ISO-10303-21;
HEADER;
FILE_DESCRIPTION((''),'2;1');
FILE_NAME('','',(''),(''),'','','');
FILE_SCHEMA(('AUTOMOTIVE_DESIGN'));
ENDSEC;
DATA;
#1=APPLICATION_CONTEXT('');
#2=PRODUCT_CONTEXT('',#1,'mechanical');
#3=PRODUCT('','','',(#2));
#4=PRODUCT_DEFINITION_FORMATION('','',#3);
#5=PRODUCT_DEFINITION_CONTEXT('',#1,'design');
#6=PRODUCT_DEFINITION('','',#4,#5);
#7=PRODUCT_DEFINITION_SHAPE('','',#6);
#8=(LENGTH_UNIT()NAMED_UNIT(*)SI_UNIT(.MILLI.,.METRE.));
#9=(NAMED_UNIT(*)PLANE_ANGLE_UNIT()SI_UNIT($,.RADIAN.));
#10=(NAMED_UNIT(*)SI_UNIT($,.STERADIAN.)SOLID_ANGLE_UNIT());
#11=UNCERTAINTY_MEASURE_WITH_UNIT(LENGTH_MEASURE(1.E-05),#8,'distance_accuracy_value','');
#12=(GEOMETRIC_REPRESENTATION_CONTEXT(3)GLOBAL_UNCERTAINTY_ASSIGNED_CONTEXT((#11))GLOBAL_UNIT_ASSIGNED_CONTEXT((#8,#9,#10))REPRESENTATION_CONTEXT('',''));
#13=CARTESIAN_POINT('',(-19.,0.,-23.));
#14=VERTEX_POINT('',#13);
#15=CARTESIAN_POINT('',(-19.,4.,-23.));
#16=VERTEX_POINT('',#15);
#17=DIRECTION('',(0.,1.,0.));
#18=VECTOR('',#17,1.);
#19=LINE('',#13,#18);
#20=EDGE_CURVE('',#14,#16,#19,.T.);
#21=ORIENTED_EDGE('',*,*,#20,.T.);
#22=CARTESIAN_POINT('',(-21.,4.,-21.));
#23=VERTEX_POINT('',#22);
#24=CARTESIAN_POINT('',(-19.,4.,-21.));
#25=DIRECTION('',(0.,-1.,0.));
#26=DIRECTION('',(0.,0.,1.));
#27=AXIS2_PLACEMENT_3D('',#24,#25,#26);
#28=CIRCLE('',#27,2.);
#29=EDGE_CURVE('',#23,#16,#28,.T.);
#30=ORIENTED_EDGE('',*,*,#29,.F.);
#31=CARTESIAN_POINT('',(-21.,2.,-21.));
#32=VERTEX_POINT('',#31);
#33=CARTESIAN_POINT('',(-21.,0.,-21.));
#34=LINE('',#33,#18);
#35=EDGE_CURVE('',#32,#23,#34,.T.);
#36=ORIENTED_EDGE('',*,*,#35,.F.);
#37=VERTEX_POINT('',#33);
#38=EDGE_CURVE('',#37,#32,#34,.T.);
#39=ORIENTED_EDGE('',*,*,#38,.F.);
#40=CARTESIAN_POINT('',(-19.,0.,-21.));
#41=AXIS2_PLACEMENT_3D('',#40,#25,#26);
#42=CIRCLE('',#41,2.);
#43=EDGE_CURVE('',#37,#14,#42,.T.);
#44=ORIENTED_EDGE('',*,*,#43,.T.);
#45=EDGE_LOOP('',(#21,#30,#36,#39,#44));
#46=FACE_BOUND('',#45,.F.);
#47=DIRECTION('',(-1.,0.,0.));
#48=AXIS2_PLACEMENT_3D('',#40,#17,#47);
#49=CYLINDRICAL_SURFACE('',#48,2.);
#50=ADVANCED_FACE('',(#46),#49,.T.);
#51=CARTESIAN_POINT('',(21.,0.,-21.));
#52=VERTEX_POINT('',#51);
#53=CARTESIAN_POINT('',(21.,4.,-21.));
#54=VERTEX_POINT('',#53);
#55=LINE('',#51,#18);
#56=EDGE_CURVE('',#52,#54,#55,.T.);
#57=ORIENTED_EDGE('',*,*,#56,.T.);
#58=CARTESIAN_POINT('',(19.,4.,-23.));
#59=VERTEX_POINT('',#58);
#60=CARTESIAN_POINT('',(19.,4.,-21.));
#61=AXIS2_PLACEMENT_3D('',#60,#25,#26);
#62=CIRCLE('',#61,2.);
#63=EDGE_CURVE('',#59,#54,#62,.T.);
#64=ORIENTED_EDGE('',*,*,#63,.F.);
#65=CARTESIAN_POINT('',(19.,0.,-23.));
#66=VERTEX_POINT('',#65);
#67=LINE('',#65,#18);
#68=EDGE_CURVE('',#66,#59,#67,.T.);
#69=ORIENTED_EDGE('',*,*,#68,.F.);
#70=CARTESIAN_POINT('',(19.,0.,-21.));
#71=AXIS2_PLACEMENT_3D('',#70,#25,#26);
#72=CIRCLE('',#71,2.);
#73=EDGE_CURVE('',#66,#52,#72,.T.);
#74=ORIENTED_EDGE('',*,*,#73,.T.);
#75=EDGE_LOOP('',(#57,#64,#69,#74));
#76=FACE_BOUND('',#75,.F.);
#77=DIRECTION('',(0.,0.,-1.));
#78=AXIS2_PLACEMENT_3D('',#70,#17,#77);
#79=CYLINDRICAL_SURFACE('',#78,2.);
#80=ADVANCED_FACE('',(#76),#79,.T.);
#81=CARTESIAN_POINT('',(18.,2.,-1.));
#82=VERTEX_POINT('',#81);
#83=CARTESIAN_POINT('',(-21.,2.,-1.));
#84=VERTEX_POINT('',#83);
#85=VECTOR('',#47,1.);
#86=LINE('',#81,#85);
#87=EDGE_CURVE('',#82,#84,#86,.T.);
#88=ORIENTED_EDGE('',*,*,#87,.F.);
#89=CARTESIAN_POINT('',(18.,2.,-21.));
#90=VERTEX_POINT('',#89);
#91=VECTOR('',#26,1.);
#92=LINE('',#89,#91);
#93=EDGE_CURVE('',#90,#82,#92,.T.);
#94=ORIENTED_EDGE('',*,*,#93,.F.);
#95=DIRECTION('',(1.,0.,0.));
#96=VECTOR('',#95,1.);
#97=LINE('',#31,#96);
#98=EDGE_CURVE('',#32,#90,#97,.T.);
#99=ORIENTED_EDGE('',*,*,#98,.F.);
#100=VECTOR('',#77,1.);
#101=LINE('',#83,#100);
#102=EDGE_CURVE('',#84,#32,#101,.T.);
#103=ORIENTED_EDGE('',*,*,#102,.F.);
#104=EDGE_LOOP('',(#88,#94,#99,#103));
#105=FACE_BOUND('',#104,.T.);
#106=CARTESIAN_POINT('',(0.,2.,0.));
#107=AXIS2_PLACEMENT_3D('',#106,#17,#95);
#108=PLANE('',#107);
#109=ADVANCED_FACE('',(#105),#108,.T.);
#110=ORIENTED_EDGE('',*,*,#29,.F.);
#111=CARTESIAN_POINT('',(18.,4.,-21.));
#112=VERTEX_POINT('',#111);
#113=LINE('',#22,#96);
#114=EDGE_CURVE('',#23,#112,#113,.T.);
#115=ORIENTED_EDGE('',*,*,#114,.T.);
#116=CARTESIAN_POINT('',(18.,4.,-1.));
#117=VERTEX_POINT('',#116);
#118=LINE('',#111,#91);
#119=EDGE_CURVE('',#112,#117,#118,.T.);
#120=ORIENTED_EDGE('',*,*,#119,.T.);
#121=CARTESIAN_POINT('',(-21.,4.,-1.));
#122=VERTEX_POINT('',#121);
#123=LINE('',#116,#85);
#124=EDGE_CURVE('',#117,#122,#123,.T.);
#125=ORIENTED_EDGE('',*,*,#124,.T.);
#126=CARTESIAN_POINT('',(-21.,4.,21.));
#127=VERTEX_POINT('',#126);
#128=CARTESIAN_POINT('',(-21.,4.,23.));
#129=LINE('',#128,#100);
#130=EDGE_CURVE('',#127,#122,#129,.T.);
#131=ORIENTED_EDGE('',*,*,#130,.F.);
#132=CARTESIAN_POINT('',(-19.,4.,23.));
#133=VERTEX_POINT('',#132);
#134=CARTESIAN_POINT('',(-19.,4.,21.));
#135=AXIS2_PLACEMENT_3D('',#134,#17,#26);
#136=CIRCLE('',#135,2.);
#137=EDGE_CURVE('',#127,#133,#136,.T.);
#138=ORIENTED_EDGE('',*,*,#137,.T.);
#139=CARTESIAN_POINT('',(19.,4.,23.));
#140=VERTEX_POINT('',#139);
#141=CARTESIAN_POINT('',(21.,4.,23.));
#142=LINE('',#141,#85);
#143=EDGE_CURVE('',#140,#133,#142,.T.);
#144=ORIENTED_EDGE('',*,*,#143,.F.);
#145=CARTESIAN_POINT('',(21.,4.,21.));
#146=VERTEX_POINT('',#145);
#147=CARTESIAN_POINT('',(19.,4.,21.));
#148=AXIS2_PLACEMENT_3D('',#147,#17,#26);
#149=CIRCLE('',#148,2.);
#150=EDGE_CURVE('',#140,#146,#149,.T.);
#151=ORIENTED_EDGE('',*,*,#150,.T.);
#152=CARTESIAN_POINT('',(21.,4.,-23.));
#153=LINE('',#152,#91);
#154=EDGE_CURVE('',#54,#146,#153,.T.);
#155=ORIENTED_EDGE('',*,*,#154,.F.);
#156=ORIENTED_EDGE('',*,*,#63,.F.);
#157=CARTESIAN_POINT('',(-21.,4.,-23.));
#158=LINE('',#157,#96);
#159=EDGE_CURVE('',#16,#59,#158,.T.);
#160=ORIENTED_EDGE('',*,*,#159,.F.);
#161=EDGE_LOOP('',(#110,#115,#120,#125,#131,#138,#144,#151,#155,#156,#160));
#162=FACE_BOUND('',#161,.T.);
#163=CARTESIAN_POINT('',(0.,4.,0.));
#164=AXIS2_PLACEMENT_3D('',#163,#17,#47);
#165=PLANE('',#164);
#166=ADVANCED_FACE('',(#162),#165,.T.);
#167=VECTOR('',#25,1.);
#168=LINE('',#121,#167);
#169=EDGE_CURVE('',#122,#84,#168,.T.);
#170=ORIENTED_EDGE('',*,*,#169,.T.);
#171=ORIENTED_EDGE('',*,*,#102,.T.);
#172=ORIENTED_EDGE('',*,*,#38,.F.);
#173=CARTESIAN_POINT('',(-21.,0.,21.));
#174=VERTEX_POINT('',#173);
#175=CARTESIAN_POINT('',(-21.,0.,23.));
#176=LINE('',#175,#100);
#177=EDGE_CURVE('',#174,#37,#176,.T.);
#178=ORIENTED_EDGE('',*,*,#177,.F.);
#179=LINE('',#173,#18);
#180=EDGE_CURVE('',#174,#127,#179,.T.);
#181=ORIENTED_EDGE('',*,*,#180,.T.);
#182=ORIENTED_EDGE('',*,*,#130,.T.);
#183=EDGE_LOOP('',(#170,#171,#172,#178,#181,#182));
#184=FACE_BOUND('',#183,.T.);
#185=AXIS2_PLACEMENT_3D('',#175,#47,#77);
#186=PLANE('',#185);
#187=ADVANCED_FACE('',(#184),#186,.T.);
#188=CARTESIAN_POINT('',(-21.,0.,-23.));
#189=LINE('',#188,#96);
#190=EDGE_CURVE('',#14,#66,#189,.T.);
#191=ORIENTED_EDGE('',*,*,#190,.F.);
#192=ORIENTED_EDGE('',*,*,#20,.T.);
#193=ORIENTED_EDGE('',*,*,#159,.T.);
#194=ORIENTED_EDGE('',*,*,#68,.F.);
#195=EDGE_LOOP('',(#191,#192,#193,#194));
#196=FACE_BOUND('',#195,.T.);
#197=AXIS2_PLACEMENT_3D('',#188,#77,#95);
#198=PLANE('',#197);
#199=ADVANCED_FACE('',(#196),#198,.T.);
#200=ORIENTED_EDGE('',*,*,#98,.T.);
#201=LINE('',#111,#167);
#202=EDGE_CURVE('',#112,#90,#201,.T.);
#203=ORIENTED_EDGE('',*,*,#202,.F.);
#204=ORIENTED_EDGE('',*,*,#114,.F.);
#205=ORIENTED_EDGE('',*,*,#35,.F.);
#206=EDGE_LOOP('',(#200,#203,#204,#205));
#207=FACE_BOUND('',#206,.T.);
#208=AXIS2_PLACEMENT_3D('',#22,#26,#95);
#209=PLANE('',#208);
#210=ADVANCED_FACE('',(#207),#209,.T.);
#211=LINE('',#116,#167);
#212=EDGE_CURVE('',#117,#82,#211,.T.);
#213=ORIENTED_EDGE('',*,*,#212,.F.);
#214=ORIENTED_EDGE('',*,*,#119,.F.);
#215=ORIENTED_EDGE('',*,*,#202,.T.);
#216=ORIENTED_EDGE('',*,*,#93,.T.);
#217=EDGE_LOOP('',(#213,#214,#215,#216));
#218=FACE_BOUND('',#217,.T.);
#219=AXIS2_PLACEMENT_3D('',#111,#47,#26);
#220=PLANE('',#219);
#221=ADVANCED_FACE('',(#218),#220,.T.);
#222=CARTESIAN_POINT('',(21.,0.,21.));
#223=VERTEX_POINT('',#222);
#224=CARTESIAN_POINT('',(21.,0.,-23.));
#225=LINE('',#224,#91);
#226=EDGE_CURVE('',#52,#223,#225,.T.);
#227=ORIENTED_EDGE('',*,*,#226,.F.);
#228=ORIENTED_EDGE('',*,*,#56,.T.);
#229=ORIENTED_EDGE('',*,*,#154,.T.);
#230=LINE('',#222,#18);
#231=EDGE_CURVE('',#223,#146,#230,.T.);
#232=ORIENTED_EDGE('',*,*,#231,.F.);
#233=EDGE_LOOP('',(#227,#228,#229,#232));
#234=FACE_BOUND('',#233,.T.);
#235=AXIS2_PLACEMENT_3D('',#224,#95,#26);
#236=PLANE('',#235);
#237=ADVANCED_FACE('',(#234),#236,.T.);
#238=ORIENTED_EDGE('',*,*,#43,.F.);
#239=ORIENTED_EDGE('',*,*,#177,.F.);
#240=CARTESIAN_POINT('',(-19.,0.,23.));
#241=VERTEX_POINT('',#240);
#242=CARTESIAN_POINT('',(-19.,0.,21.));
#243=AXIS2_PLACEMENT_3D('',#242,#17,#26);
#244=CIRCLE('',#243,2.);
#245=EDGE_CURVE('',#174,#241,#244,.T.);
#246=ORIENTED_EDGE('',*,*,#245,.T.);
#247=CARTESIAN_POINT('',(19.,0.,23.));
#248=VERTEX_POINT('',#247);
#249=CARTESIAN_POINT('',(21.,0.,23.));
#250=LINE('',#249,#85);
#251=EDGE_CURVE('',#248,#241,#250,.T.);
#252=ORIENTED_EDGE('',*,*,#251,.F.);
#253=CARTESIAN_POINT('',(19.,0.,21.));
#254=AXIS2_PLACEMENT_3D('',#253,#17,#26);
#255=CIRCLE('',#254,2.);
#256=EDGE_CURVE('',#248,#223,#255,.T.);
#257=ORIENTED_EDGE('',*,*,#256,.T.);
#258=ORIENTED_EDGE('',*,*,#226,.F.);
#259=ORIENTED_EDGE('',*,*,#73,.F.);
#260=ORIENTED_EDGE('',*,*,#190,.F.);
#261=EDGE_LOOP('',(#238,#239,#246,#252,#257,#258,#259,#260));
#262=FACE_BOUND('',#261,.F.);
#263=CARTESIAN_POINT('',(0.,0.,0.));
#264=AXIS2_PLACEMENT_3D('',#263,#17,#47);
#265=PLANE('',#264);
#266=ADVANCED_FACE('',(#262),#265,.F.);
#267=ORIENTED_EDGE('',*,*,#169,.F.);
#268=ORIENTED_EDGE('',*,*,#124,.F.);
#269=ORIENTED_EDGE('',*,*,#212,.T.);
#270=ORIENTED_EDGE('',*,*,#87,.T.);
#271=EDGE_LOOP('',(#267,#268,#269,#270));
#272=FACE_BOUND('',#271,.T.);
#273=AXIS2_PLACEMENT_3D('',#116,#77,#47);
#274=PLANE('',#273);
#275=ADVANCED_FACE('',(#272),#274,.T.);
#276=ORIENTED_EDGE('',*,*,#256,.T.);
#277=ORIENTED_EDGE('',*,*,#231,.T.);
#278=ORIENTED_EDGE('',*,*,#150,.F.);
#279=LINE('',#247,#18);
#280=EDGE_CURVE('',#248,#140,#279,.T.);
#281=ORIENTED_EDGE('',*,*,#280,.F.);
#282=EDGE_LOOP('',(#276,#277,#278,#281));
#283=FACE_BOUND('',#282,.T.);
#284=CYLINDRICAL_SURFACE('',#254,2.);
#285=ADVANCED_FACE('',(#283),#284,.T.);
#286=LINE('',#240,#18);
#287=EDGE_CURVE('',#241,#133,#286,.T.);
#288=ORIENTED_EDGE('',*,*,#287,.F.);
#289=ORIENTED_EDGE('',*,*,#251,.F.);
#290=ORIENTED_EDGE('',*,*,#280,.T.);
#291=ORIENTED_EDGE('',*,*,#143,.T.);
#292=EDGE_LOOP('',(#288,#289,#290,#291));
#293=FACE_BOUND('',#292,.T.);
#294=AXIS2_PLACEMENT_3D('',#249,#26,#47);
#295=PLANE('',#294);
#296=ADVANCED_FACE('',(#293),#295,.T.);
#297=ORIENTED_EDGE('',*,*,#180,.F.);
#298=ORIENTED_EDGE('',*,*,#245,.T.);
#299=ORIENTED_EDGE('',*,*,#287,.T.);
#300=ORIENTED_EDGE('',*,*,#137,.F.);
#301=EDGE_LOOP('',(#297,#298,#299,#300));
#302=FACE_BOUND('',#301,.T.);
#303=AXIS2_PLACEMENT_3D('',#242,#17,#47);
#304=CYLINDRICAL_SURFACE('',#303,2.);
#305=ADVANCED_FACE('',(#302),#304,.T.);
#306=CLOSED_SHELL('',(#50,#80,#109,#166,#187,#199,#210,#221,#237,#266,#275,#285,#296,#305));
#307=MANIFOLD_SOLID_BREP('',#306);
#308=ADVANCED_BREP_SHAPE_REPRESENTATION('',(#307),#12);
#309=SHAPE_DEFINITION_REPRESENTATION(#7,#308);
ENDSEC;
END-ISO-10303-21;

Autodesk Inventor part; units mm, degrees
ref_plane "YZ Plane" through (0, 0, 0) normal (1, 0, 0) x (0, 1, 0)
ref_plane "XZ Plane" through (0, 0, 0) normal (0, 1, 0) x (-1, 0, 0)
ref_plane "XY Plane" through (0, 0, 0) normal (0, 0, 1) x (1, 0, 0)
sketch "Sketch1" plane through (0, 0, 0) normal (0, 1, 0) x (-1, 0, 0)
  line L0 (-21, 23) -> (21, 23)
  line L1 (21, 23) -> (21, -23)
  line L2 (21, -23) -> (-21, -23)
  line L3 (-21, -23) -> (-21, 23)
  line L4 (-21, 23) -> (21, -23) construction
  line L5 (21, 23) -> (-21, -23) construction
  point P0 (0, 0)
  dimension "d0" = 42
  dimension "d1" = 46
extrude "wall3" add sketch "Sketch1" along normal blind 4
fillet "Fillet6" radius 2 1 edges at (-21, 2, -23)
fillet "Fillet7" radius 2 1 edges at (21, 2, -23)
fillet "Fillet8" radius 2 1 edges at (-21, 2, 23)
fillet "Fillet9" radius 2 1 edges at (21, 2, 23)
sketch "Sketch10" plane through (0, 4, 0) normal (0, 1, 0) x (1, 0, 0)
  line L0 (-20.8799, 11) -> (21, 11) construction
  line L1 (21, -21) -> (21, 21) projected
  line L2 (14.0018, 23) -> (14.0018, -23) construction
  line L3 (-19, -23) -> (19, -23) projected
  line L4 (19, 23) -> (-19, 23) projected
  line L5 (-21, 21) -> (18, 21)
  line L6 (18, 21) -> (18, 1)
  line L7 (18, 1) -> (-21, 1)
  line L8 (-21, 1) -> (-21, 21)
  line L9 (-21, 21) -> (18, 1) construction
  line L10 (18, 21) -> (-21, 1) construction
  line L11 (-21, 21) -> (-21, -21) projected
  point P0 (0, 0)
  point P1 (-1.5, 11)
  dimension "d98" = 34
  dimension "d99" = 20
  dimension "d100" = 3
extrude "Extrusion8" cut sketch "Sketch10" against normal blind 2
equation "\"d0\" = wallw"
equation "\"d72\" = wall3_thick"
equation "\"d89\" = cornerrad"
equation "\"d90\" = cornerrad"
equation "\"d91\" = cornerrad"
equation "\"d92\" = cornerrad"
equation "\"d98\" = distancefrombottom"
equation "\"d99\" = wall3sloth"
equation "\"d100\" = -0.5 * wall3slotw + 0.5 * wallw"
equation "\"d101\" = wall3slotd"
equation "\"printer3dtolerance\" = 0.12"
equation "\"wallw\" = 42"
equation "\"wallh\" = 44"
equation "\"cornerrad\" = 2"
equation "\"baseextra\" = 2"
equation "\"wall1_thick\" = 8"
equation "\"wall2_thick\" = 6.4"
equation "\"wall3_thick\" = 4"
equation "\"wall1slot\" = 8.12"
equation "\"wall2slot\" = 6.52"
equation "\"wall3slot\" = 4.12"
equation "\"gap2\" = 28"
equation "\"baseh\" = 79.12"
equation "\"basew\" = 44"
equation "\"base_thick\" = 6"
equation "\"base_slots_depth\" = 4"
equation "\"servomounth\" = 4"
equation "\"servosmallcircledia\" = 5.92"
equation "\"servomountsquare\" = 6"
equation "\"servobigcircledia\" = 11.62"
equation "\"servo9gw\" = 22.8"
equation "\"distancefromleft\" = 26"
equation "\"servopolygonl\" = 5.92"
equation "\"servopolygonr\" = 6.12"
equation "\"distancefrombottom\" = 34"
equation "\"d49\" = distancefrombottom"
equation "\"adapterh\" = 16"
equation "\"adapterw\" = 32"
equation "\"wall3sloth\" = 20"
equation "\"wall3slotw\" = 36"
equation "\"wall3slotd\" = 2"
properties part number "wall-end" material "Wood (Oak)"
